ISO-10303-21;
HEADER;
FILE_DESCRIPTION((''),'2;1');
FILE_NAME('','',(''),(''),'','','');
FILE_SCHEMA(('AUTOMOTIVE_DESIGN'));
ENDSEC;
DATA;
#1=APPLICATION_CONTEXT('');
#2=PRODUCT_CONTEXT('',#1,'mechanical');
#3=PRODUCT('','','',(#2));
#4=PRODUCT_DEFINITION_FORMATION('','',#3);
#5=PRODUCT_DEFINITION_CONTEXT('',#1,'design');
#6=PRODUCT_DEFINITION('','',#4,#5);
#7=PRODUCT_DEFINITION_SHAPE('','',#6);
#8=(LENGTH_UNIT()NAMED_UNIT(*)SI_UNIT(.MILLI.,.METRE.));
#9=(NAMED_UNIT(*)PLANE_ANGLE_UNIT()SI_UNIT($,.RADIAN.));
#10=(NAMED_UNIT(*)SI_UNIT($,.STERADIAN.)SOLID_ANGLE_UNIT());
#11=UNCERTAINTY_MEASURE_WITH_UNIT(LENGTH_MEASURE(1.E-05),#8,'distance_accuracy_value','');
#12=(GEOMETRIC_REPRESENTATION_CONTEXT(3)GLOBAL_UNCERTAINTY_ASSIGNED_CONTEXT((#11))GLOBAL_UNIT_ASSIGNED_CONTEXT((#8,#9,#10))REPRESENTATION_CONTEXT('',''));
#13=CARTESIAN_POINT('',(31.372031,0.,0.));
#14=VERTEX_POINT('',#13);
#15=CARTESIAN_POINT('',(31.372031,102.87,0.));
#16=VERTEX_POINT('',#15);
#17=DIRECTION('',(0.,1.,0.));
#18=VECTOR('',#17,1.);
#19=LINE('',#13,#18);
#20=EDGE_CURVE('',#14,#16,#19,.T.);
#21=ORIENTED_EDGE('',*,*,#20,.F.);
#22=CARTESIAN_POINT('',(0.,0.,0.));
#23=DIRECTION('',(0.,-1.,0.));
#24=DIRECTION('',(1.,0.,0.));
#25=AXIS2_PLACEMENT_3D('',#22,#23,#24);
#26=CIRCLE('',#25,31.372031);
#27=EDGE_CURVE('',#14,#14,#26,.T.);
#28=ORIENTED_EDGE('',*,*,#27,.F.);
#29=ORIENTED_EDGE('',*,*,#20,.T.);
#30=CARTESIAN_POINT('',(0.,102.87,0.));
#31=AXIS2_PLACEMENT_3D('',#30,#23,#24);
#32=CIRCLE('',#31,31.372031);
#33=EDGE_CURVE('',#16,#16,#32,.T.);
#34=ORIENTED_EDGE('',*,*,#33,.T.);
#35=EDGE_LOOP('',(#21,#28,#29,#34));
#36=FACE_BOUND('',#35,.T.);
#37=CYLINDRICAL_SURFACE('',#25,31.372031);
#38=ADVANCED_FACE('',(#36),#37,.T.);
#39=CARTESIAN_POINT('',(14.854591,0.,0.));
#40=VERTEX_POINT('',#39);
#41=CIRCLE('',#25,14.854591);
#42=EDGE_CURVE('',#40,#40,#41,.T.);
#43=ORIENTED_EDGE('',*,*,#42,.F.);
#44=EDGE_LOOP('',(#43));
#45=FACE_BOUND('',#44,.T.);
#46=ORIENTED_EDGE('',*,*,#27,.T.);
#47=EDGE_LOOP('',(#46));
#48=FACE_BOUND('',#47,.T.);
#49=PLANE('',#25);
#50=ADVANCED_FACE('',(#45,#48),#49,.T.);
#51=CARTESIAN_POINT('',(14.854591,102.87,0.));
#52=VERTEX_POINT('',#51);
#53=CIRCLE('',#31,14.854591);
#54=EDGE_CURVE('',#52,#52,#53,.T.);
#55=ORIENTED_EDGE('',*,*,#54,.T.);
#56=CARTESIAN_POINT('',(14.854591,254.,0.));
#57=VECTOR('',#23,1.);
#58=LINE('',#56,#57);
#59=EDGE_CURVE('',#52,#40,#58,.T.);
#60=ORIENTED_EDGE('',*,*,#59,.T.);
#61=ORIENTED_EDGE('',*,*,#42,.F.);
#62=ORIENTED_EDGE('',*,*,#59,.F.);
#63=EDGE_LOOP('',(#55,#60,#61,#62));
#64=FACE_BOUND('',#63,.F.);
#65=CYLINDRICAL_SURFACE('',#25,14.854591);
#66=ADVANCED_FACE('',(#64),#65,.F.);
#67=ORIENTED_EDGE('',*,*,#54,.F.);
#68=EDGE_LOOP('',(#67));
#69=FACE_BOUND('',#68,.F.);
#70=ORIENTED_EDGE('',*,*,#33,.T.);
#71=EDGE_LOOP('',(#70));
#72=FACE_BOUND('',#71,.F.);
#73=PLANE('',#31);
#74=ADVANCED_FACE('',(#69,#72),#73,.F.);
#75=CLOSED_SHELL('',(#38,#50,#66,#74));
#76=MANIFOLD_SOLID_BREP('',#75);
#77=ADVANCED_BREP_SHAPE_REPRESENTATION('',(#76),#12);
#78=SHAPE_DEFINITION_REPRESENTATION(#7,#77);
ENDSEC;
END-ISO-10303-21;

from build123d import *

# Parameters (mm, degrees)
F0_R     = 31.372031
F1_DEPTH = 102.87
F2_R     = 14.854591
F3_DEPTH = 254


with BuildPart() as f1:
    # F0 (on Front) → F1 (new body)
    with BuildSketch(Plane.XZ):
        Circle(F0_R)
    extrude(amount=-F1_DEPTH)

    # F2 (on face) → F3 (cut, symmetric)
    with BuildSketch(Plane.XZ):
        Circle(F2_R)
    extrude(amount=F3_DEPTH, both=True, mode=Mode.SUBTRACT)


solid = f1.part
